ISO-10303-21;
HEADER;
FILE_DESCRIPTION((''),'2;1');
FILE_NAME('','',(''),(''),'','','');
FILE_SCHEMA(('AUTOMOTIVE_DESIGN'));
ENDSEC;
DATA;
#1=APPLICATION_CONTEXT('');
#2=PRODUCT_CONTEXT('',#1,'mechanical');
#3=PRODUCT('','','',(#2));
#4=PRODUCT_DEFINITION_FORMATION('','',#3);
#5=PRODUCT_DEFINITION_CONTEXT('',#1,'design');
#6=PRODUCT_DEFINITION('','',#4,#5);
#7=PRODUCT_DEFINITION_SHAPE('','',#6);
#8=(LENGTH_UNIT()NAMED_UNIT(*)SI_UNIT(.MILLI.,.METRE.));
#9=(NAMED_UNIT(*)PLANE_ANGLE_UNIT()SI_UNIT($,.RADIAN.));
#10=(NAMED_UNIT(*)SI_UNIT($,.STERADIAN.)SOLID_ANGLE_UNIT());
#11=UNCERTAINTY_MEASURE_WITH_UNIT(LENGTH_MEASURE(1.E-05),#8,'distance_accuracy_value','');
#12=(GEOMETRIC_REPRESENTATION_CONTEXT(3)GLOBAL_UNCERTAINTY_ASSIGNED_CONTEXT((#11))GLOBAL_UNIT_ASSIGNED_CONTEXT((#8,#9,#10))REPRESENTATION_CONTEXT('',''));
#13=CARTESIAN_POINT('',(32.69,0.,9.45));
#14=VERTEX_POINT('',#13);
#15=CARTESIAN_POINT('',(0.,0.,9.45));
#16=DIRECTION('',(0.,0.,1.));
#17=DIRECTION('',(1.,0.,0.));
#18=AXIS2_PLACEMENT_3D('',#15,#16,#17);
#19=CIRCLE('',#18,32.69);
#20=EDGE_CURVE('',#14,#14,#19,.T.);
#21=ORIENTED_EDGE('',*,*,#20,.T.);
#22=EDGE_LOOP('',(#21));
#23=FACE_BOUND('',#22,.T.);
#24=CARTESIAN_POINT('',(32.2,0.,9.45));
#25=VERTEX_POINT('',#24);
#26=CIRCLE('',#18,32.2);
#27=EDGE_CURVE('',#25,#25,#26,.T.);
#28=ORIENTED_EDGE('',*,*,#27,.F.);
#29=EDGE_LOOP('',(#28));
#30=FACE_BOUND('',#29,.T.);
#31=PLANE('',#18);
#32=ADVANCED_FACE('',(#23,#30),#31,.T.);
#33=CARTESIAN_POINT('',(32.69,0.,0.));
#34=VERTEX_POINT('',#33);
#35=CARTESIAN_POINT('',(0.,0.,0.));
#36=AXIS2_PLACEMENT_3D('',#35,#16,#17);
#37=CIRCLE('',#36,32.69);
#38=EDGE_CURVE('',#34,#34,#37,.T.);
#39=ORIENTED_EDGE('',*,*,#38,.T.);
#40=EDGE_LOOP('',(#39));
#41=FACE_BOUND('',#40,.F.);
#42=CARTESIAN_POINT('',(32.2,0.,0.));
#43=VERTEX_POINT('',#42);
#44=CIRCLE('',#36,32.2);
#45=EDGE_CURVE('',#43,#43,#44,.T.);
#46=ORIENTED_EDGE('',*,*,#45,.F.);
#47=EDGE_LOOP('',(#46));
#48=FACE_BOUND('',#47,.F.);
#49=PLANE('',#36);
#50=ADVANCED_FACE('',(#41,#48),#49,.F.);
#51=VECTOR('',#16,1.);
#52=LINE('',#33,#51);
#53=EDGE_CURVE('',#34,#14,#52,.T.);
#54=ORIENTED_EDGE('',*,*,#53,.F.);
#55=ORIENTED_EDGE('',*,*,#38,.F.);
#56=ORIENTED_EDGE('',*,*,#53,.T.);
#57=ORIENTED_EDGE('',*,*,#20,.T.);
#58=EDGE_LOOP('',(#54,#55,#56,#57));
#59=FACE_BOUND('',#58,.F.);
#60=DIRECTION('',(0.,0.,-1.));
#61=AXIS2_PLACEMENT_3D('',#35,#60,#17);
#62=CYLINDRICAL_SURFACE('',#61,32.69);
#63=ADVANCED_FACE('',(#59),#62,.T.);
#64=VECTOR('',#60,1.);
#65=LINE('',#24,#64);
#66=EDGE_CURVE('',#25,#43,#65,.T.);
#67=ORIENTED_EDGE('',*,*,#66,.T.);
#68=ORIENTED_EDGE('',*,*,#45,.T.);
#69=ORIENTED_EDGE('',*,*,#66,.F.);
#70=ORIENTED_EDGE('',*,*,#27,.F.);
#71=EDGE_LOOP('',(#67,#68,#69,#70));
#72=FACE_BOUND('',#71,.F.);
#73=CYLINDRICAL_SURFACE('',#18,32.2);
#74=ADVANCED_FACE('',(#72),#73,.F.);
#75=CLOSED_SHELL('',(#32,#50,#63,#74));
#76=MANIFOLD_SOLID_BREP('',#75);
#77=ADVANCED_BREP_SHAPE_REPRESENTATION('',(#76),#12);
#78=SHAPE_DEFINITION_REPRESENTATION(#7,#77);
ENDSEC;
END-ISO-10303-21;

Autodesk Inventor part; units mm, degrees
ref_plane "YZ Plane" through (0, 0, 0) normal (1, 0, 0) x (0, 1, 0)
ref_plane "XZ Plane" through (0, 0, 0) normal (0, 1, 0) x (-1, 0, 0)
ref_plane "XY Plane" through (0, 0, 0) normal (0, 0, 1) x (1, 0, 0)
sketch "Sketch1" plane through (0, 0, 0) normal (0, 0, 1) x (1, 0, 0)
  circle A0 centre (0, 0) radius 32.69
  dimension "d0" = 65.38
extrude "Extrusion1" add sketch "Sketch1" along normal blind 9.45
sketch "Sketch2" plane through (0, 0, 9.45) normal (0, 0, 1) x (1, 0, 0)
  circle A0 centre (0, 0) radius 32.2
  dimension "d3" = 64.4
extrude "Extrusion2" cut sketch "Sketch2" against normal through all
properties part number "BNG_REV_00_1"
